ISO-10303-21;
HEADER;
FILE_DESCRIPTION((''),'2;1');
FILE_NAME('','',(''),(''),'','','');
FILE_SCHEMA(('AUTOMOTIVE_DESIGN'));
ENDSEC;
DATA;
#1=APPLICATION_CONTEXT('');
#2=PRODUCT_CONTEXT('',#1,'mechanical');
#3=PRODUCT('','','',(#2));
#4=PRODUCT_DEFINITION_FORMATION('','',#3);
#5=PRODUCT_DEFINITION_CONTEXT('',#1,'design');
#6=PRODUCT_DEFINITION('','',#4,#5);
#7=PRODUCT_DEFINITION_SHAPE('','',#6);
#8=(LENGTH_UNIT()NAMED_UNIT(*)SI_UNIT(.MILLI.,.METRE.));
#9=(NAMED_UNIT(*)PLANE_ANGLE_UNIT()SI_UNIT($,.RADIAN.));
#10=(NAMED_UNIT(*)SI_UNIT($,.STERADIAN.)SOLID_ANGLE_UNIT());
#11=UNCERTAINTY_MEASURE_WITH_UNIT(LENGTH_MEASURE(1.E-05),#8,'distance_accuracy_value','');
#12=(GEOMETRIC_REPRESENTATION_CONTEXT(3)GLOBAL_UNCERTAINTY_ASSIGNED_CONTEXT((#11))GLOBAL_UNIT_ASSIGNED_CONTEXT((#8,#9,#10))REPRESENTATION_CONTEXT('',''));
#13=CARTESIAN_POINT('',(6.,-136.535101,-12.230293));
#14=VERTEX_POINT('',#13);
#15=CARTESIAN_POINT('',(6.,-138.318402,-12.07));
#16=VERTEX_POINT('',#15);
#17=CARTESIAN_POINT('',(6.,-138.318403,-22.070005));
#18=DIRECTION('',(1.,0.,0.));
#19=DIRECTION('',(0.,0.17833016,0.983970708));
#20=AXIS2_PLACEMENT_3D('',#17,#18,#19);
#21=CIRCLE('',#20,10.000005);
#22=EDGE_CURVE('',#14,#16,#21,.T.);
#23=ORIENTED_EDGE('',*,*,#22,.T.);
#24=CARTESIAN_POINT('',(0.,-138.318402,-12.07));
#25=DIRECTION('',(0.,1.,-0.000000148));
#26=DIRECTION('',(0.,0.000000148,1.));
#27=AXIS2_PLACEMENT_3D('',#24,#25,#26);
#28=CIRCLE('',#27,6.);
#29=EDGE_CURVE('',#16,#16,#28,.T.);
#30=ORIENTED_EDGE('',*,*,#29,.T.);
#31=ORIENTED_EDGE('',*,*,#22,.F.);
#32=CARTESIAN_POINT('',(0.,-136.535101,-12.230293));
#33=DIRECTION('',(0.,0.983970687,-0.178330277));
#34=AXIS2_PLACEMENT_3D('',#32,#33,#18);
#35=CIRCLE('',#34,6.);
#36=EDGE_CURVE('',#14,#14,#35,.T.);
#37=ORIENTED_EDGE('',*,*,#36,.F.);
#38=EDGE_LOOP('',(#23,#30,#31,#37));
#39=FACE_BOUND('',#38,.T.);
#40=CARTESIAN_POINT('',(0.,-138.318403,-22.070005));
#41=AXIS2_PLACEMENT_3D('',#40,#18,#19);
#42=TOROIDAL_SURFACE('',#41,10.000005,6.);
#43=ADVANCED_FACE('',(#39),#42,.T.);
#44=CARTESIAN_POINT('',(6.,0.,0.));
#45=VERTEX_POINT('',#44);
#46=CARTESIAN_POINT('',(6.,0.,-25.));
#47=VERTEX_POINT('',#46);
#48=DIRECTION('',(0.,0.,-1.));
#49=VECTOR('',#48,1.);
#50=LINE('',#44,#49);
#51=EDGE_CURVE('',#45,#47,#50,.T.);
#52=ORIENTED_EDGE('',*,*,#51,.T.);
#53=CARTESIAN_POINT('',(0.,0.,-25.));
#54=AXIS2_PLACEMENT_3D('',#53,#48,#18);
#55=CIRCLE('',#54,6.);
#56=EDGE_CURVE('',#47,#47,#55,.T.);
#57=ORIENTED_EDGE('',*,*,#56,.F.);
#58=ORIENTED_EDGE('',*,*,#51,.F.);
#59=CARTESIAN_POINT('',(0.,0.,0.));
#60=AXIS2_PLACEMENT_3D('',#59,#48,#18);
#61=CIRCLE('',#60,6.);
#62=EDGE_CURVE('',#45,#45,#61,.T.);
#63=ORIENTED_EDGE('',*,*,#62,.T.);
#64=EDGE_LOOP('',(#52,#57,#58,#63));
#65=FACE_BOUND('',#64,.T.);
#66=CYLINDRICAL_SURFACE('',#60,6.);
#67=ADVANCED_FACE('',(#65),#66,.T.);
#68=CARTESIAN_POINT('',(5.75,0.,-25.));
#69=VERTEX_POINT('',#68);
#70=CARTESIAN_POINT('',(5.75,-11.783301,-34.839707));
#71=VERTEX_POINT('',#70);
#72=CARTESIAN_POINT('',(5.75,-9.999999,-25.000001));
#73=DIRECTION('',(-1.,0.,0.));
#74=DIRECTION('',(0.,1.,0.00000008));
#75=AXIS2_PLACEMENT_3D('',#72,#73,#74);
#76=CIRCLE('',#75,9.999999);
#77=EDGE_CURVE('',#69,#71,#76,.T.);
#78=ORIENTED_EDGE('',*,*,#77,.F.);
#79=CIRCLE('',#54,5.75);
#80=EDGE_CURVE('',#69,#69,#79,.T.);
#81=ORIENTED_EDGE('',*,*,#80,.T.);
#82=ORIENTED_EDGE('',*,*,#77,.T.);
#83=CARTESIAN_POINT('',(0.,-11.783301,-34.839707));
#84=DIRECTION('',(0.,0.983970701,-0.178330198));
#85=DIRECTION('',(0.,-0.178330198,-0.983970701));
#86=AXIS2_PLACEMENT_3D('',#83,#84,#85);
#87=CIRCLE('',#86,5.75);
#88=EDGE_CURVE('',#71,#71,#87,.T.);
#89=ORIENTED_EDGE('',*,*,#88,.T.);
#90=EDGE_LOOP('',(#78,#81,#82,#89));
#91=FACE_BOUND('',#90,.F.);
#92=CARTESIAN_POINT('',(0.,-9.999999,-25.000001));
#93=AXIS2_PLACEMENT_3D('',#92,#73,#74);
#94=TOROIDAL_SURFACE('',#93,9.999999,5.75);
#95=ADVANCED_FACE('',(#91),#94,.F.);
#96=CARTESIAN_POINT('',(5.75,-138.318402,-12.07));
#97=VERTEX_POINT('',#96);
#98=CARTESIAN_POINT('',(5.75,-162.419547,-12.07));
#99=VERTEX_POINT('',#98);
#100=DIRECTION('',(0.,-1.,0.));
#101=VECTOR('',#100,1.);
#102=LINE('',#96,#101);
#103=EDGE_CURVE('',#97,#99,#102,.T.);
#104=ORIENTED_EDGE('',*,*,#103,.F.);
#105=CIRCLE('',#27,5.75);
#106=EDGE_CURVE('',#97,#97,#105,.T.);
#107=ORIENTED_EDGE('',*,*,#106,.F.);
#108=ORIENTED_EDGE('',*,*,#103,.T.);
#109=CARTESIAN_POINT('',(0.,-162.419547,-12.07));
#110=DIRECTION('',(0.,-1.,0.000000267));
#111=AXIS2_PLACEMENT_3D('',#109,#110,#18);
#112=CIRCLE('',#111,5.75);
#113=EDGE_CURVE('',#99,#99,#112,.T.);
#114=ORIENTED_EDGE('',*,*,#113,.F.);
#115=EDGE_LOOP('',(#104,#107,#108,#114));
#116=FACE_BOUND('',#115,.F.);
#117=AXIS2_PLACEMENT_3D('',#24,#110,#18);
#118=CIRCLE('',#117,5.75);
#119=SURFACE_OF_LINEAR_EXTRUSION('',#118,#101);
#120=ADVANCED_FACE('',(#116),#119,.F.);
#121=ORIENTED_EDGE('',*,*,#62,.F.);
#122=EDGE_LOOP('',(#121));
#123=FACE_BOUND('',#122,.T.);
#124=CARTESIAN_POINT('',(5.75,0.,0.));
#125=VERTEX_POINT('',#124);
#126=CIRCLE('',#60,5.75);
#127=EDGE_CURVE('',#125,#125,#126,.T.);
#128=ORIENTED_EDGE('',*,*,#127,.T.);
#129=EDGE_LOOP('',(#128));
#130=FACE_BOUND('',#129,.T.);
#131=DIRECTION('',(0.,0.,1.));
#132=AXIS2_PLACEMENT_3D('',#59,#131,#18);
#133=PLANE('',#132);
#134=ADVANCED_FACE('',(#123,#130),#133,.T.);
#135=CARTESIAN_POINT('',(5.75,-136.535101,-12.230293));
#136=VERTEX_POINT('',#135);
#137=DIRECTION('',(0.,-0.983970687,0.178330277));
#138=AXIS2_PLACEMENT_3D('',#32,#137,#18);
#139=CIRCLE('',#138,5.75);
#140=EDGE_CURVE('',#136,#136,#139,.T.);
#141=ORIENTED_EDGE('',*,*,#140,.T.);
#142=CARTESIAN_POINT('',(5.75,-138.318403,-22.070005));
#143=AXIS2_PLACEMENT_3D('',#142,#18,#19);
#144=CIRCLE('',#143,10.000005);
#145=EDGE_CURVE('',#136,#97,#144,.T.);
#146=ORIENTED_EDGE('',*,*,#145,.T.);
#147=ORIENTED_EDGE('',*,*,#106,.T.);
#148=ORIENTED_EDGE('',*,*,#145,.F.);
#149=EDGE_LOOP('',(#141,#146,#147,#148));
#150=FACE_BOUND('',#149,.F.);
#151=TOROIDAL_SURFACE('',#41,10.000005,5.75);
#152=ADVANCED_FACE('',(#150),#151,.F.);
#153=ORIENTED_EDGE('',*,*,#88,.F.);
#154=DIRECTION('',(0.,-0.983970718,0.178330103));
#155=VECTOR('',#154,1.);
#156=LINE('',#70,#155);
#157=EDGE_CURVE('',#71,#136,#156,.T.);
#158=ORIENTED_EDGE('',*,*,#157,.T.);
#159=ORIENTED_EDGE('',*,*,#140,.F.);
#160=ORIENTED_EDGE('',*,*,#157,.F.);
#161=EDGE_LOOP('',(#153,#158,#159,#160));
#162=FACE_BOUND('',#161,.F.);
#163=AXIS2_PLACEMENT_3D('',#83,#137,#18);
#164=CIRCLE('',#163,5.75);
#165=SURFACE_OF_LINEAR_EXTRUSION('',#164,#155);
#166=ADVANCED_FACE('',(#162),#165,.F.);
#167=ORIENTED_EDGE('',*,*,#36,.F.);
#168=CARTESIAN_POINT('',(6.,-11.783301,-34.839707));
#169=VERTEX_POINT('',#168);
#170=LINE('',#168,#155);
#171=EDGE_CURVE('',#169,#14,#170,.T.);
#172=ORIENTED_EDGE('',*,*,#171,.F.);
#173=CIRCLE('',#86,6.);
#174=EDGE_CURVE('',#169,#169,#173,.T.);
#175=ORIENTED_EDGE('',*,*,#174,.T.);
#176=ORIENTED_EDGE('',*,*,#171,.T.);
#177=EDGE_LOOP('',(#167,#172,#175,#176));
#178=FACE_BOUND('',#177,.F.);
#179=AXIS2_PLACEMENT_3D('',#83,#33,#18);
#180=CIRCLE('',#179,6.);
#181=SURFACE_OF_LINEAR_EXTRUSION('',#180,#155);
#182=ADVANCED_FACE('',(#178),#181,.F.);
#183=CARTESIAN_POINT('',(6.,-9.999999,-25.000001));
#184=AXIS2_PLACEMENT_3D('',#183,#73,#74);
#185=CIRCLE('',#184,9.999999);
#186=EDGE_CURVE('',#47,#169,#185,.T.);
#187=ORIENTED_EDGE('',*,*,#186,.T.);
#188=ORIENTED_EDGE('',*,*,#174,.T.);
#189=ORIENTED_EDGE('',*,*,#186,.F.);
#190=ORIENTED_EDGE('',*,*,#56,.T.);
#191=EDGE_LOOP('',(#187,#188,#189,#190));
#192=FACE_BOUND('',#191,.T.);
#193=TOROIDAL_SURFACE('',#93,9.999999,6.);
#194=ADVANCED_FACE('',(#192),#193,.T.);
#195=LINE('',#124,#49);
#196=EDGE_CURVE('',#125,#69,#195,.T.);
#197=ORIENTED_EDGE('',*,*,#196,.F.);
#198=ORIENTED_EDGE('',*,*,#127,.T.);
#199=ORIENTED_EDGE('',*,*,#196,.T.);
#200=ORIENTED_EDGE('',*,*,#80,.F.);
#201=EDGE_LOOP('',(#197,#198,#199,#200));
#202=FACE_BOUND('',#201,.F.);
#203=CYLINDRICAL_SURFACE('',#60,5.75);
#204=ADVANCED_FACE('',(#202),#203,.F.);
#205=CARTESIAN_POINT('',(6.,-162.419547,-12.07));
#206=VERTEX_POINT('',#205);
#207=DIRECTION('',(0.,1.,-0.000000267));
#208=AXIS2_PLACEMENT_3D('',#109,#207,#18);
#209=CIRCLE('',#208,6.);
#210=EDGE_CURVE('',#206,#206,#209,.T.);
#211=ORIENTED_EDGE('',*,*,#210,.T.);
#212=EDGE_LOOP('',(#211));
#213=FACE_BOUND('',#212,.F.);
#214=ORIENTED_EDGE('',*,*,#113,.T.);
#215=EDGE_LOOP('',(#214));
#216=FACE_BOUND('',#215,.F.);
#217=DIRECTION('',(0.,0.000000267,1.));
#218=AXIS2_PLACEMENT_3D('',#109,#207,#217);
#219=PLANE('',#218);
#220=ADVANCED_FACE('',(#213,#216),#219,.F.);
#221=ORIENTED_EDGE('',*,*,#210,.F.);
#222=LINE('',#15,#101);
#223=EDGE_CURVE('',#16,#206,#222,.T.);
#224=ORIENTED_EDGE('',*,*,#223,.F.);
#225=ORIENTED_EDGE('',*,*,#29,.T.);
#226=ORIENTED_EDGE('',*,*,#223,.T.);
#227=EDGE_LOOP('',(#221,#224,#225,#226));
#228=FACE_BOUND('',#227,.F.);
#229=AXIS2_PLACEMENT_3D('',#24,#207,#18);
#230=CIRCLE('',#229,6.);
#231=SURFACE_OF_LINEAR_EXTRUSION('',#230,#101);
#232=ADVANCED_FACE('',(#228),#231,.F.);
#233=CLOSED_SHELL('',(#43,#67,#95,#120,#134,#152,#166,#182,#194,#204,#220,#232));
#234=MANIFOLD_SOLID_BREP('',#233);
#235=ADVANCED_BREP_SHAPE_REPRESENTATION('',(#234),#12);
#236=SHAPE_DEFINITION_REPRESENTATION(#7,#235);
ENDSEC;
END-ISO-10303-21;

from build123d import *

# Parameters (mm, degrees)
F1_R   = 6
F1_R_2 = 5.75


with BuildPart() as f2:
    # F2: sweep along a path in F0
    with BuildLine(Plane.YZ) as f2_path:
        Line((0, 0), (0, -25))
        ThreePointArc((0, -25), (-3.590359, -32.675709), (-11.783301, -34.839707))
        Line((-11.783301, -34.839707), (-136.535101, -12.230293))
        ThreePointArc((-136.535101, -12.230293), (-137.423156, -12.110154), (-138.318402, -12.07))
        Line((-138.318402, -12.07), (-162.419547, -12.07))
    # F1 (on Top) → F2 (sweep)
    with BuildSketch(Plane.XY):
        Circle(F1_R)
        Circle(F1_R_2, mode=Mode.SUBTRACT)
    sweep(path=f2_path.line)


solid = f2.part
